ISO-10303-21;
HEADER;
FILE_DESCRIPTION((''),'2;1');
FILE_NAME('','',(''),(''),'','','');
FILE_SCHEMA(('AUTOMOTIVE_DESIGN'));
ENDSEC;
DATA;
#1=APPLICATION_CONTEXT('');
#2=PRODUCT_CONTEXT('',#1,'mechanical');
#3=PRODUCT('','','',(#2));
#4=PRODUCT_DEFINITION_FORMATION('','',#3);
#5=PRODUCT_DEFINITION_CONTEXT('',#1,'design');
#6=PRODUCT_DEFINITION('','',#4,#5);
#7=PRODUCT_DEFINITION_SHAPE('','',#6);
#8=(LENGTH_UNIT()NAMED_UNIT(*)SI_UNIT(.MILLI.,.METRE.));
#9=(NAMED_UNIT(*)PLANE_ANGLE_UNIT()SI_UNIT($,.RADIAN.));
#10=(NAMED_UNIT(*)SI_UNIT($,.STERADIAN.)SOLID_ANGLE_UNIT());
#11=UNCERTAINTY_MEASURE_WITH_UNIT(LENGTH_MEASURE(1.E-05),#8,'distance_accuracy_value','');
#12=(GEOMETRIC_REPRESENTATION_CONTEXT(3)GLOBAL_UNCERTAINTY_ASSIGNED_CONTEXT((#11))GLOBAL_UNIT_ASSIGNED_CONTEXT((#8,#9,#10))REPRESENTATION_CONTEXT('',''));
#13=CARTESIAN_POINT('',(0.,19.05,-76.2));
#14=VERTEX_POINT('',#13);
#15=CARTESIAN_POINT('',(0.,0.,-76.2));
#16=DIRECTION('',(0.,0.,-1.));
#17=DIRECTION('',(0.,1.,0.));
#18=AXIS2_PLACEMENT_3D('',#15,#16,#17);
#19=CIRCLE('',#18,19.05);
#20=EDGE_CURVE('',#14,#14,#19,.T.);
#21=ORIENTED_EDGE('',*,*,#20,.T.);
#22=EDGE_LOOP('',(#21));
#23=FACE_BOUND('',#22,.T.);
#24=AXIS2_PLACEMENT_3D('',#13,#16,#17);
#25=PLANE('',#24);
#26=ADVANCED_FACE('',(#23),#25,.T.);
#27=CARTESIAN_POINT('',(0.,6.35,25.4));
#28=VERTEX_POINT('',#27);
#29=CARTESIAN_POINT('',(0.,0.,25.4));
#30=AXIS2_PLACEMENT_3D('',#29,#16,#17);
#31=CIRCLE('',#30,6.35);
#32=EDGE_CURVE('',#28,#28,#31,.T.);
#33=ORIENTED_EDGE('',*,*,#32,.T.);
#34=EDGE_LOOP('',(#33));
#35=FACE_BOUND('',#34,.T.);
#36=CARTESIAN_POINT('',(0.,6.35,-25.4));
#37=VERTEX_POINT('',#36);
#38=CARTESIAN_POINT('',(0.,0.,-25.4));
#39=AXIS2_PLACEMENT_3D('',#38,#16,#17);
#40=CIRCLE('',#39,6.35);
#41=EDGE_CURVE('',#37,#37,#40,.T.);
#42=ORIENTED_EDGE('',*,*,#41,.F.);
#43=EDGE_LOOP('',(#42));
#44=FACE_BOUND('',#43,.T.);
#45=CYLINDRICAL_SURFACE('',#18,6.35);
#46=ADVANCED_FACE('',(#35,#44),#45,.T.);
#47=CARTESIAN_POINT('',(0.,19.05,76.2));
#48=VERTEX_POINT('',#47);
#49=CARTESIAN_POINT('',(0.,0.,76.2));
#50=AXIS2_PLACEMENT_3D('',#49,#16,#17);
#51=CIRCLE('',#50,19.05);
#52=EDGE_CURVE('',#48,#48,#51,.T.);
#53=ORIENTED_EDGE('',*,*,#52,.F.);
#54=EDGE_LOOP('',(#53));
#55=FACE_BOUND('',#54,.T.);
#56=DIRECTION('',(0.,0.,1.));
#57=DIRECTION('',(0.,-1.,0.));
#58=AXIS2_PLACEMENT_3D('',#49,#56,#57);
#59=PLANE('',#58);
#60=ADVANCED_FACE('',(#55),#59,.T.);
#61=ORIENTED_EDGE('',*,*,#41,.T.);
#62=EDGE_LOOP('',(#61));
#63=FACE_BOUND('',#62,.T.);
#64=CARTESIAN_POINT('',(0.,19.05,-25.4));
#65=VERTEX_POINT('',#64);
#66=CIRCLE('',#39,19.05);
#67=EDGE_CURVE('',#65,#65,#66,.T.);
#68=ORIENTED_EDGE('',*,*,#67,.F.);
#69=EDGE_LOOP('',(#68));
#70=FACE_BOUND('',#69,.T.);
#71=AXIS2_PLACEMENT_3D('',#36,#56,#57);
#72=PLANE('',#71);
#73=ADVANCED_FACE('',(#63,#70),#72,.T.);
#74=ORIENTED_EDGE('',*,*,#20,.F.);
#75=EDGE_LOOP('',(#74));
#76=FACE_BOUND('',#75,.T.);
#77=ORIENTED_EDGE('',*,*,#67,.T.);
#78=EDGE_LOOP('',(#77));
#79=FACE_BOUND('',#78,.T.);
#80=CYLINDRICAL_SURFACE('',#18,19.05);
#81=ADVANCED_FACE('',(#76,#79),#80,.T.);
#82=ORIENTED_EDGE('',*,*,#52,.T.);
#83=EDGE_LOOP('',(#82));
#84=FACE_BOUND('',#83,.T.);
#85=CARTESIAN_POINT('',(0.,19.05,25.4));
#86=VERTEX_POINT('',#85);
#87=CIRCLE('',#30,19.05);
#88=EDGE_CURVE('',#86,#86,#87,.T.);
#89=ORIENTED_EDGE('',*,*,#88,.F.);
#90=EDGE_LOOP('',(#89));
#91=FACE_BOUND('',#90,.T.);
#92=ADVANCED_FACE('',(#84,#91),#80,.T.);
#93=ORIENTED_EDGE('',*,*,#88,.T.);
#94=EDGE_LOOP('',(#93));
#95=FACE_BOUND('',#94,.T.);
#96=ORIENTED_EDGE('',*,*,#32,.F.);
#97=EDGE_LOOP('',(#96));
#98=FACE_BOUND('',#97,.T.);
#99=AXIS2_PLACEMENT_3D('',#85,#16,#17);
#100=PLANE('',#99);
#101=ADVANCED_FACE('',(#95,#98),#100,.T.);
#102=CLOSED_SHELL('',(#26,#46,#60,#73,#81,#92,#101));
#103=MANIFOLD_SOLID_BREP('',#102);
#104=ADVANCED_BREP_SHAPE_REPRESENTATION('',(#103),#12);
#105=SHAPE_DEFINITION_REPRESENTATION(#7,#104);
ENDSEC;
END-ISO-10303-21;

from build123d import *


with BuildPart() as part:
    # Sketch1 → Revolve1 (revolve)
    with BuildSketch(Plane(origin=(0, 0, 0), x_dir=(0, 0, -1), z_dir=(1, 0, 0))):
        Polygon((76.2, 0), (-76.2, 0), (-76.2, 19.05), (-25.4, 19.05), (-25.4, 6.35), (25.4, 6.35), (25.4, 19.05), (76.2, 19.05), align=None)
    revolve(axis=Axis((0, 0, -76.2), (0, 0, 1)))


solid = part.part
